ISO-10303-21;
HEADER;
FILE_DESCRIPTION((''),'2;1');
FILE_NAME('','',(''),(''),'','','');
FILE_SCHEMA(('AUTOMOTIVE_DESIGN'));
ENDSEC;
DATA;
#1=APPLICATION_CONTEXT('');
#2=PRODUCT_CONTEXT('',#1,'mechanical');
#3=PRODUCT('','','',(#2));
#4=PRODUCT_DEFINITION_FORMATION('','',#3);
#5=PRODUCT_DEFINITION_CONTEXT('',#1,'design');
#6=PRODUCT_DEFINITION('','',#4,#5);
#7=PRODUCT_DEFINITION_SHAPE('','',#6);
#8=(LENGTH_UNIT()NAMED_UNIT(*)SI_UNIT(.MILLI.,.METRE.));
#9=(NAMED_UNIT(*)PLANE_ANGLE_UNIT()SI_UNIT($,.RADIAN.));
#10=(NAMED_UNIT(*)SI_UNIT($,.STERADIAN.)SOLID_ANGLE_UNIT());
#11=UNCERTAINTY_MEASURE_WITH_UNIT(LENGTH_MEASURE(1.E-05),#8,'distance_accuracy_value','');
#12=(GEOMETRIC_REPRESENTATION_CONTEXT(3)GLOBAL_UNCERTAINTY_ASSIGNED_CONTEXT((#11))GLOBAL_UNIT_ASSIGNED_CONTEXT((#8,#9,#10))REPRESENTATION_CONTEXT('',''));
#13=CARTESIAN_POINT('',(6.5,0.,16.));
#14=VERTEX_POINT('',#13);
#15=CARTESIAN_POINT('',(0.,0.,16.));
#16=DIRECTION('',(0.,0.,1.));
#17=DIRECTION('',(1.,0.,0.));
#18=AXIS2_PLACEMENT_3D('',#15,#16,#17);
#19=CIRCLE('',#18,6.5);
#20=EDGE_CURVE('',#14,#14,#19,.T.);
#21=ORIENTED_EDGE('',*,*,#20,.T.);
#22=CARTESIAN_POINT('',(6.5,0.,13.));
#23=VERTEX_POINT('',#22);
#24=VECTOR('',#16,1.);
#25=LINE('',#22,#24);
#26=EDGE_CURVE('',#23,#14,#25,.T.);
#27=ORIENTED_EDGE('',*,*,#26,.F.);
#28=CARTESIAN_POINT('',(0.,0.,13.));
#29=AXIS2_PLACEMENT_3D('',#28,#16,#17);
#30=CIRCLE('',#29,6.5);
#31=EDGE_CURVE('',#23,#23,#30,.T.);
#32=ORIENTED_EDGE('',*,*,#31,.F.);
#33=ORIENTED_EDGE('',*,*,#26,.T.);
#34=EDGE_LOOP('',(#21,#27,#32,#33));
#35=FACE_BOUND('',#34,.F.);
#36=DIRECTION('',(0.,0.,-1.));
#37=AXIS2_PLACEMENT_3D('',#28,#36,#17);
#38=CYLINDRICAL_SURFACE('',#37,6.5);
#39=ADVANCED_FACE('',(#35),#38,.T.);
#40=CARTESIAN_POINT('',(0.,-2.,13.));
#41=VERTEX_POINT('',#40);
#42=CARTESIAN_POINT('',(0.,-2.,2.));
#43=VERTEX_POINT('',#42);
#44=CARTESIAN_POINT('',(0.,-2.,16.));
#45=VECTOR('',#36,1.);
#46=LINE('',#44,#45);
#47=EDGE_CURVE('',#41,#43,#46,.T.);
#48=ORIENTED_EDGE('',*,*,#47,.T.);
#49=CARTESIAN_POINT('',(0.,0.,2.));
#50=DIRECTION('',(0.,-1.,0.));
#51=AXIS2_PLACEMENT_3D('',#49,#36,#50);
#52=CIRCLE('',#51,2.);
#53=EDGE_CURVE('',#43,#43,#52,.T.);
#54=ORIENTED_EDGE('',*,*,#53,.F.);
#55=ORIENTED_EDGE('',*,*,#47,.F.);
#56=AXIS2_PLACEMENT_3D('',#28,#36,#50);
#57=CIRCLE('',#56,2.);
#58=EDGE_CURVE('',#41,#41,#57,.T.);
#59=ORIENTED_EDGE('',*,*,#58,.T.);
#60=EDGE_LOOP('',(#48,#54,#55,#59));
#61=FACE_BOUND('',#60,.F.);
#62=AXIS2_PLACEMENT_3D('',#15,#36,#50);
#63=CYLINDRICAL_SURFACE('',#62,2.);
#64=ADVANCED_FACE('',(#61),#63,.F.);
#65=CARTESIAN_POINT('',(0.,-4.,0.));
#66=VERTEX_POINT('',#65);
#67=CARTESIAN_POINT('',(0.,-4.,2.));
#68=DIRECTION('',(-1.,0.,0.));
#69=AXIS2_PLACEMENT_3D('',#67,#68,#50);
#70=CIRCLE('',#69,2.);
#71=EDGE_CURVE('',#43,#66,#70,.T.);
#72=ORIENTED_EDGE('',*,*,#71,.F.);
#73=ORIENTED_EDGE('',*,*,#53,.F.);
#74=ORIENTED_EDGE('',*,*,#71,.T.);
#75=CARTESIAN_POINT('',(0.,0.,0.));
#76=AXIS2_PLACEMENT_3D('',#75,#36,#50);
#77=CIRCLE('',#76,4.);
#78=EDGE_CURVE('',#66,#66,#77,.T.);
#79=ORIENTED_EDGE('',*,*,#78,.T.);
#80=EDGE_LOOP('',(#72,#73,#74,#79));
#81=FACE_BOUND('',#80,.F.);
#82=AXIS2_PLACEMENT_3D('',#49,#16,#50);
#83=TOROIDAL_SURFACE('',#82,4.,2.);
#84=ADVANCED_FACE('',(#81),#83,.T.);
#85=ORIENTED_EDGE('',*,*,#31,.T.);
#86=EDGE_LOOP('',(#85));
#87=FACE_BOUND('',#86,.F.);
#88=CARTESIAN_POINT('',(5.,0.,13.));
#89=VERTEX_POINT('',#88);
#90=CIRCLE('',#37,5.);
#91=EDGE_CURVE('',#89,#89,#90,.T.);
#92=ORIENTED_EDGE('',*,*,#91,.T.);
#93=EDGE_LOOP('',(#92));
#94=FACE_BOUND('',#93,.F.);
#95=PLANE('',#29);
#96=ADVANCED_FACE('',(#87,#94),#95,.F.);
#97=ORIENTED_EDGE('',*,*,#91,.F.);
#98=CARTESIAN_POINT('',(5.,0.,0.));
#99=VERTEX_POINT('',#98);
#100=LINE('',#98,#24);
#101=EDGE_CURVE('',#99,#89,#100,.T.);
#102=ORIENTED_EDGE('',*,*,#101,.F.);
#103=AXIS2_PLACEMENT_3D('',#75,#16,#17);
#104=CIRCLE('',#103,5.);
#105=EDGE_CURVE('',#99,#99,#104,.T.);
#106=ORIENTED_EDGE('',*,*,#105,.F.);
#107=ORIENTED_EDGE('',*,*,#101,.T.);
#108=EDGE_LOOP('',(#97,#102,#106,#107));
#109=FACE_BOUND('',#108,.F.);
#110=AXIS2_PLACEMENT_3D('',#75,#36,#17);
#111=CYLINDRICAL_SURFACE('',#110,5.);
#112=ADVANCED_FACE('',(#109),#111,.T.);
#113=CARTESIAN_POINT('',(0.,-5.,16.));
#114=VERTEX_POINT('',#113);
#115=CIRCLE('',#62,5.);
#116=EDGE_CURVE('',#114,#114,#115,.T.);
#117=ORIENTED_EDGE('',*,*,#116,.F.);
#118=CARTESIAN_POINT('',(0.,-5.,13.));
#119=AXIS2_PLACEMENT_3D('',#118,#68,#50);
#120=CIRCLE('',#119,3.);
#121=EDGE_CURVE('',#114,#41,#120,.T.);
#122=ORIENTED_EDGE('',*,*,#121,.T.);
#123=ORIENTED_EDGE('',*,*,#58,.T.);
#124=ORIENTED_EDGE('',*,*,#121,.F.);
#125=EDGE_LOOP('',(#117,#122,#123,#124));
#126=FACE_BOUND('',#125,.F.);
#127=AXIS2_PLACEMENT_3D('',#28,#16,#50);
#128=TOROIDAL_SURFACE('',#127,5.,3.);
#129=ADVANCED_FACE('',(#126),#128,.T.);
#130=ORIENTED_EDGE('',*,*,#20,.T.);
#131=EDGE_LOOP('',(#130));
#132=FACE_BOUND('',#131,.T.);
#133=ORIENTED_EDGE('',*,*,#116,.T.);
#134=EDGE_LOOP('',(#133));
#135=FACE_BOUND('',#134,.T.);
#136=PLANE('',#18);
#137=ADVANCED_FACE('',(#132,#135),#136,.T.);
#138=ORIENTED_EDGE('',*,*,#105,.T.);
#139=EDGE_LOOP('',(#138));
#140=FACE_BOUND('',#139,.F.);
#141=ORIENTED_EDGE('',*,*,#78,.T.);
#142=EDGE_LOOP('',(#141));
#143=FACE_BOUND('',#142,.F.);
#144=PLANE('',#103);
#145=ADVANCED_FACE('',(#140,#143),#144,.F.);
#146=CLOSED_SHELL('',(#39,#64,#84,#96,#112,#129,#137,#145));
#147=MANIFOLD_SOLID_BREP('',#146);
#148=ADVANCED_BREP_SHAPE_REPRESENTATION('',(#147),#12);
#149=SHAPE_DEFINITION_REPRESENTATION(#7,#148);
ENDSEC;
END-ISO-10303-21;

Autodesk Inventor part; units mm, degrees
ref_plane "YZ Plane" through (0, 0, 0) normal (1, 0, 0) x (0, 1, 0)
ref_plane "XZ Plane" through (0, 0, 0) normal (0, 1, 0) x (-1, 0, 0)
ref_plane "XY Plane" through (0, 0, 0) normal (0, 0, 1) x (1, 0, 0)
sketch "Sketch1" plane through (0, 0, 0) normal (0, 0, 1) x (1, 0, 0)
  line L0 (-6, 0) -> (8, 0) projected
  line L1 (0, 8) -> (0, -6) projected
  circle A0 centre (0, 0) radius 5
  dimension "d0" = 10
extrude "Extrusion1" add sketch "Sketch1" along normal blind 13
sketch "Sketch2" plane through (0, 0, 13) normal (0, 0, 1) x (1, 0, 0)
  circle A0 centre (0, 0) radius 5 construction
  circle A1 centre (0, 0) radius 6.5
  dimension "d3" = 13
extrude "Extrusion2" add sketch "Sketch2" along normal blind 3
hole "Hole1" at (0, 0, 16) direction (0, 0, -1) diameter 4 end through all
fillet "Fillet1" radius 3 1 edges at (0, 2, 16)
fillet "Fillet2" radius 2 1 edges at (0, 2, 0)
properties part number "Bushing Drill"
